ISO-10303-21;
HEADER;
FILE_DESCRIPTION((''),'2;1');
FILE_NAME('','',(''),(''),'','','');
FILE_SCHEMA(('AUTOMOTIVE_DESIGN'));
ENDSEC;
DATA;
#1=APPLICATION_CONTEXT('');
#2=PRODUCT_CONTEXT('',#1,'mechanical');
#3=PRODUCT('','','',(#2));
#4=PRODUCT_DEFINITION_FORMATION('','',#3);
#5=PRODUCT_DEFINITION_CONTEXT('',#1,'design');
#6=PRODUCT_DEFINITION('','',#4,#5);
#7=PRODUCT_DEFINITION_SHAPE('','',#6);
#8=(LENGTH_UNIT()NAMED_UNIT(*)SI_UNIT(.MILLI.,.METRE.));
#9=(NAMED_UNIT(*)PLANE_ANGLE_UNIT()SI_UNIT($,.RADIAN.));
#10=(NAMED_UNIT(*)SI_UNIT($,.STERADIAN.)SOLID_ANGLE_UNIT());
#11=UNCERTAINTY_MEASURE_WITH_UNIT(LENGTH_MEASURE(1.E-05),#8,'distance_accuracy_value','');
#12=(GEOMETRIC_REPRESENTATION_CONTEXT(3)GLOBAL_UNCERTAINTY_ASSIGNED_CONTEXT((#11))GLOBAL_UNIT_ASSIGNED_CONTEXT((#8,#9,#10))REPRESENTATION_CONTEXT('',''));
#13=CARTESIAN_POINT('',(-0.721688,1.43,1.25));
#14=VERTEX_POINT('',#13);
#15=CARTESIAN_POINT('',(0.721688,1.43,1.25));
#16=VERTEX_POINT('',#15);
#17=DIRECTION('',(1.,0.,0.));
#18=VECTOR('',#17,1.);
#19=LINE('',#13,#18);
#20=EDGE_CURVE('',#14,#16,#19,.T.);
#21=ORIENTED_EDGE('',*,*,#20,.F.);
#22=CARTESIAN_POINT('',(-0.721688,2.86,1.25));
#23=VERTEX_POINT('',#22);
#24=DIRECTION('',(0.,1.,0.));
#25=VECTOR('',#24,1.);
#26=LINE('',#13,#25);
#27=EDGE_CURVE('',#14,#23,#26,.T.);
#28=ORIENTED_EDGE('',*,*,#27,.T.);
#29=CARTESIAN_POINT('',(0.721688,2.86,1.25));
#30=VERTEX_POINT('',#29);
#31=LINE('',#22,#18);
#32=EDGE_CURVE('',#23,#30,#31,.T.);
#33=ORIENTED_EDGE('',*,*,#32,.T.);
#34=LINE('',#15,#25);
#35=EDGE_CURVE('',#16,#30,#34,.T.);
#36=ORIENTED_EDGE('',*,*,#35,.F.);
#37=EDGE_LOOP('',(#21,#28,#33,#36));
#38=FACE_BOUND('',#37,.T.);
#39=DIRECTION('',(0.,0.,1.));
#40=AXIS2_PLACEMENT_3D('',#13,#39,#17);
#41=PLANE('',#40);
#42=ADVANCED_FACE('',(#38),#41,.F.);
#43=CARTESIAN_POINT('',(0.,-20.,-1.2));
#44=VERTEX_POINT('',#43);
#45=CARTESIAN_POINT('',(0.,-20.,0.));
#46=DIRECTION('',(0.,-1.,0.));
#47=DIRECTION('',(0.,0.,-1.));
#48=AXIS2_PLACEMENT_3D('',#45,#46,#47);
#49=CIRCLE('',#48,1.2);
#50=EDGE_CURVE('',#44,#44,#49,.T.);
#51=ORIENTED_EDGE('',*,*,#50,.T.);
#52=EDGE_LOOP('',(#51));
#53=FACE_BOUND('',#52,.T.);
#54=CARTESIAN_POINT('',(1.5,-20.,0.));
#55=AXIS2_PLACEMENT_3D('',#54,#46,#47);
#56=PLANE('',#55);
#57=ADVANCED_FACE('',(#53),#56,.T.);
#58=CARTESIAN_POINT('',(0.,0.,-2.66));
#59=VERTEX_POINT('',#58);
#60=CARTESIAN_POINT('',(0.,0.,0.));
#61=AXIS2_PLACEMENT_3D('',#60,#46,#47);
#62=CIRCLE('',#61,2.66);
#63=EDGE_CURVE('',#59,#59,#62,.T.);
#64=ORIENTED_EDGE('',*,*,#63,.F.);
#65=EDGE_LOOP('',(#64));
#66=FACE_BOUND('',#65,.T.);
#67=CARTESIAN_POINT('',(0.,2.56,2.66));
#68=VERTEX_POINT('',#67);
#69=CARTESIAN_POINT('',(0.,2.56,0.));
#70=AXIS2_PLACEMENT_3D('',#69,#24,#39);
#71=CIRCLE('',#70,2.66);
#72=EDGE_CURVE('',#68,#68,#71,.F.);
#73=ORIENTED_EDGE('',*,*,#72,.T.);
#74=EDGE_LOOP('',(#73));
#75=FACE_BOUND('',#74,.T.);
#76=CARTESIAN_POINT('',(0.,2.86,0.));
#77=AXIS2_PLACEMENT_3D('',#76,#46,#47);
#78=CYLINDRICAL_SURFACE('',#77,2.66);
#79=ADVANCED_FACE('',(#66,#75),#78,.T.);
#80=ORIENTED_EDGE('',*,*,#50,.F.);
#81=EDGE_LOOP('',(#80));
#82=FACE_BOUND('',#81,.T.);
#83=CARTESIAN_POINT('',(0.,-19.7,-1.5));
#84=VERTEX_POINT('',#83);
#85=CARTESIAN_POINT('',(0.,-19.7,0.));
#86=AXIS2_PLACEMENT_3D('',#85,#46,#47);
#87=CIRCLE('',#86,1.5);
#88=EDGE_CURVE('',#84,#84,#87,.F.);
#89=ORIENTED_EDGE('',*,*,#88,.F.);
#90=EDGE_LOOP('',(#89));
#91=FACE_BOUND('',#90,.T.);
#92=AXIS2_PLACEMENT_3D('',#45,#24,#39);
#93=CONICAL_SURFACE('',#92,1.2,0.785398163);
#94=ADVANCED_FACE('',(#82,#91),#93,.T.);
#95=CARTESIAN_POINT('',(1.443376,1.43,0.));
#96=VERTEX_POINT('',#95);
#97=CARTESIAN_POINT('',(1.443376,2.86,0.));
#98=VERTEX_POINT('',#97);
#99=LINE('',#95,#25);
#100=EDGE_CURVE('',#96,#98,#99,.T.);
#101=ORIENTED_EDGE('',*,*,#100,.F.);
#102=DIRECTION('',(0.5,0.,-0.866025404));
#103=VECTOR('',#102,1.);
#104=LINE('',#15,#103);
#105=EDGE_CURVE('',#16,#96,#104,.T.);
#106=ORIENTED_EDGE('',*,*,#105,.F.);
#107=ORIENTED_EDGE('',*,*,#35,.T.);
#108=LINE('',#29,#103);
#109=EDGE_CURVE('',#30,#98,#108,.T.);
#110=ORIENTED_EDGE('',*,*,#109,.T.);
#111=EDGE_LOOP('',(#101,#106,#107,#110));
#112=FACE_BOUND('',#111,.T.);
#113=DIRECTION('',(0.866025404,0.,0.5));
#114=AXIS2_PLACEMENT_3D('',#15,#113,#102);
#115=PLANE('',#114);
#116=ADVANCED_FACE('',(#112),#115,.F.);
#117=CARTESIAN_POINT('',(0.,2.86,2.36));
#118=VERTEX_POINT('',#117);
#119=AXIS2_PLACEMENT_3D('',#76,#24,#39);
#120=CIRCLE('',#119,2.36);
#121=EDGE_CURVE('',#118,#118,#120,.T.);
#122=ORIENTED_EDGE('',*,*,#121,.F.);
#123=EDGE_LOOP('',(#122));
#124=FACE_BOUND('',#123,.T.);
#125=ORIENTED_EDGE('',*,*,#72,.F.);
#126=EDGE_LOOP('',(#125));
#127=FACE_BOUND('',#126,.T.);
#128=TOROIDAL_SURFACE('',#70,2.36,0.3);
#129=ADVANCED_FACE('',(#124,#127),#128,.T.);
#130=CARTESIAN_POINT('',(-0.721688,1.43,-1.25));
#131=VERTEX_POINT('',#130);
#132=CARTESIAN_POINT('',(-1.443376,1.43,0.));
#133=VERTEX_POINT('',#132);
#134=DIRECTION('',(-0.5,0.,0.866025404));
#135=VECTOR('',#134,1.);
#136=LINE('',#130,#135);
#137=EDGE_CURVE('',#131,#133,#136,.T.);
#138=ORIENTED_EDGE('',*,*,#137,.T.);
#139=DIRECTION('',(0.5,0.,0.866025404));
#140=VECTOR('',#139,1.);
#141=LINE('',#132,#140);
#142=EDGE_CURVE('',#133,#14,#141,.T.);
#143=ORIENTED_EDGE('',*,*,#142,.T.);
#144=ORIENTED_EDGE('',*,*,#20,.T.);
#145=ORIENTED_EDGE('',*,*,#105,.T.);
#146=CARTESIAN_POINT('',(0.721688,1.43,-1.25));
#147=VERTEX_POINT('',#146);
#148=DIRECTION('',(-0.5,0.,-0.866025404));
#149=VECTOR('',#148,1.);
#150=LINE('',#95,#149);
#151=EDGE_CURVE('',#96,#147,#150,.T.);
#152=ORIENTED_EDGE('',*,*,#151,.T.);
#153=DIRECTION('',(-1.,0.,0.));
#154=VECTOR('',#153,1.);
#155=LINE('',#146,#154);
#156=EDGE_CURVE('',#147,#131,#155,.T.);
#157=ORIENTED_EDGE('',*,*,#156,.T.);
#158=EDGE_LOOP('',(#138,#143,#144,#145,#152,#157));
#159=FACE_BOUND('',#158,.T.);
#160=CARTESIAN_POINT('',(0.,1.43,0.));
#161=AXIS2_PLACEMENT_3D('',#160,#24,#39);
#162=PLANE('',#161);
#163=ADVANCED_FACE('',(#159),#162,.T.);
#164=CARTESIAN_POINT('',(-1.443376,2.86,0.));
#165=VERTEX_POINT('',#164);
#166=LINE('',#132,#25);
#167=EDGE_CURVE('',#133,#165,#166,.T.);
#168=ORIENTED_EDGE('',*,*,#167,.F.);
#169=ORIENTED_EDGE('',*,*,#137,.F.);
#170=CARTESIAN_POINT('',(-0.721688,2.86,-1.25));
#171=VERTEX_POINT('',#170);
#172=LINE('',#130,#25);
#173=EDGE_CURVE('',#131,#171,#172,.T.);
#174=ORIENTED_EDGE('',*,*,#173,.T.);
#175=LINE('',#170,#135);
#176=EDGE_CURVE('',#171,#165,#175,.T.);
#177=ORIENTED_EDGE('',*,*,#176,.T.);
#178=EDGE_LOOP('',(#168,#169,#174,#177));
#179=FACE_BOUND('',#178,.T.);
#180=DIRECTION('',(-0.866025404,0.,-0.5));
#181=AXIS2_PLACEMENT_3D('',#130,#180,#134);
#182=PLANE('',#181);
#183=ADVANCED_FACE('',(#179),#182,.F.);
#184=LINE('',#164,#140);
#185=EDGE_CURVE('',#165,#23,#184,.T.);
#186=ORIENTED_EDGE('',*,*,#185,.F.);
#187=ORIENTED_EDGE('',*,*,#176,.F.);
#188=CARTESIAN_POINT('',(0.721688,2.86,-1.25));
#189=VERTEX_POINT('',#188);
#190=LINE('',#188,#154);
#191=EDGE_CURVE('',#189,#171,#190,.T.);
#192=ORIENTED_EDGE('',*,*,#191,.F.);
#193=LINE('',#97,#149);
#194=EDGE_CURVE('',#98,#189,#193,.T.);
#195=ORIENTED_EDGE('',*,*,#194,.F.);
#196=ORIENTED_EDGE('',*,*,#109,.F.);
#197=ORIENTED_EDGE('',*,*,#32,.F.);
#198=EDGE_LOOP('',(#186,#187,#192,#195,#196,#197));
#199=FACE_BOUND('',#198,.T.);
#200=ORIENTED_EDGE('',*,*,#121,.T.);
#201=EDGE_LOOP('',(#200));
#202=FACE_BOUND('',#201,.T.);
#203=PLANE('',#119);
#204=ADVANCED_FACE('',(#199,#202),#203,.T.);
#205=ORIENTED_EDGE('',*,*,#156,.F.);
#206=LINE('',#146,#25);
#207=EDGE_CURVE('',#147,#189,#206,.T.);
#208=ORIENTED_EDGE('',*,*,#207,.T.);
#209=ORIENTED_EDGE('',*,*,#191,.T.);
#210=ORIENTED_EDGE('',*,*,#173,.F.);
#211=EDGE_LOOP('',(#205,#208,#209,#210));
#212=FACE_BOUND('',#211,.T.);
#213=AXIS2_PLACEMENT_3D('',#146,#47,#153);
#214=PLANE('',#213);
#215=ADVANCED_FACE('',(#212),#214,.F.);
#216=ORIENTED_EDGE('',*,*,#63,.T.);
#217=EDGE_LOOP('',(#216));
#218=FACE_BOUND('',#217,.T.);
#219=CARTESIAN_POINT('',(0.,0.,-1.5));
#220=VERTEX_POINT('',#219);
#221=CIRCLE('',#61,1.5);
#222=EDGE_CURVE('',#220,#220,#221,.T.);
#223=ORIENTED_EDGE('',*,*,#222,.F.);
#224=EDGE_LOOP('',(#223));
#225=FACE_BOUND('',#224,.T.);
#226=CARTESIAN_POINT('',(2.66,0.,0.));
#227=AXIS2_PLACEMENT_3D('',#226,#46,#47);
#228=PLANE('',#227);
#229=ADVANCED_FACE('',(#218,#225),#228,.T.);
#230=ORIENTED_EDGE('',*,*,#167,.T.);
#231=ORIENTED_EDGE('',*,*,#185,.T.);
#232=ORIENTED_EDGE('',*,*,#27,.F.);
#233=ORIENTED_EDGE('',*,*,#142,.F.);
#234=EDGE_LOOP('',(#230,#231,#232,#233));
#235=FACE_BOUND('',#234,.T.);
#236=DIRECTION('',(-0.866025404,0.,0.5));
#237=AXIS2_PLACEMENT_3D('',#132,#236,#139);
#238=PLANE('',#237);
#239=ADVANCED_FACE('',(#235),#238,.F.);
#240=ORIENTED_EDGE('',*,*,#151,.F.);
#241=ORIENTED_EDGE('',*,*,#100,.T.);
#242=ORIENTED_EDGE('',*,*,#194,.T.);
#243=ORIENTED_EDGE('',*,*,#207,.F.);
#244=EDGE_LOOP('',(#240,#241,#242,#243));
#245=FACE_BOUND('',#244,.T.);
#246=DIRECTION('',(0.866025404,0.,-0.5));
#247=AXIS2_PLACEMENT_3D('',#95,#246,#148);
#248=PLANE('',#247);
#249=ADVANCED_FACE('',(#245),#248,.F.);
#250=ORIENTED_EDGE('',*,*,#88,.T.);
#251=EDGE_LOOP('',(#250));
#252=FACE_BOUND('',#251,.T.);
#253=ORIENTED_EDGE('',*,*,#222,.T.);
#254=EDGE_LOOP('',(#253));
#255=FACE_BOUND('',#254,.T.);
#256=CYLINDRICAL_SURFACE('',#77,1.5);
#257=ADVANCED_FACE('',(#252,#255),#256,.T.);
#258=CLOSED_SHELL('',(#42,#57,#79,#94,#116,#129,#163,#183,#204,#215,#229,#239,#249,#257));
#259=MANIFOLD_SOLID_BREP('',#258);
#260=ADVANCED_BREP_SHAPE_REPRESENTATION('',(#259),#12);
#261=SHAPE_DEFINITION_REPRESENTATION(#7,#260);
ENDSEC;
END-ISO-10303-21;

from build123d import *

# Parameters (mm, degrees)
CHAMFER1_SIZE      = 0.3
FILLET1_R          = 0.3
CUT_EXTRUDE1_DEPTH = 1.43


with BuildPart() as part:
    # Sketch1 → Revolve1 (revolve)
    with BuildSketch(Plane.XY, mode=Mode.PRIVATE) as revolve1_sk:
        Polygon((0, 0), (0, 2.86), (2.66, 2.86), (2.66, 0), (1.5, 0), (1.5, -20), (0, -20), align=None)
    revolve(revolve1_sk.sketch.rotate(Axis((0, 2.86, 0), (0, 1, 0)), 90), axis=Axis((0, 2.86, 0), (0, 1, 0)))

    # Chamfer1
    chamfer1_edges = [part.edges().sort_by_distance(p)[0] for p in [
        (0, -20, 1.5),
    ]]
    chamfer(chamfer1_edges, length=CHAMFER1_SIZE)

    # Fillet1
    fillet1_edges = [part.edges().sort_by_distance(p)[0] for p in [
        (0, 2.86, 2.66),
    ]]
    fillet(fillet1_edges, radius=FILLET1_R)

    # Sketch2 → Cut-Extrude1 (cut)
    with BuildSketch(Plane(origin=(0, 2.86, 0), x_dir=(1, 0, 0), z_dir=(0, 1, 0))):
        Polygon((0.721687836, -1.25), (1.443375673, 0), (0.721687836, 1.25), (-0.721687836, 1.25), (-1.443375673, 0), (-0.721687836, -1.25), align=None)
    extrude(amount=-CUT_EXTRUDE1_DEPTH, mode=Mode.SUBTRACT)


solid = part.part
